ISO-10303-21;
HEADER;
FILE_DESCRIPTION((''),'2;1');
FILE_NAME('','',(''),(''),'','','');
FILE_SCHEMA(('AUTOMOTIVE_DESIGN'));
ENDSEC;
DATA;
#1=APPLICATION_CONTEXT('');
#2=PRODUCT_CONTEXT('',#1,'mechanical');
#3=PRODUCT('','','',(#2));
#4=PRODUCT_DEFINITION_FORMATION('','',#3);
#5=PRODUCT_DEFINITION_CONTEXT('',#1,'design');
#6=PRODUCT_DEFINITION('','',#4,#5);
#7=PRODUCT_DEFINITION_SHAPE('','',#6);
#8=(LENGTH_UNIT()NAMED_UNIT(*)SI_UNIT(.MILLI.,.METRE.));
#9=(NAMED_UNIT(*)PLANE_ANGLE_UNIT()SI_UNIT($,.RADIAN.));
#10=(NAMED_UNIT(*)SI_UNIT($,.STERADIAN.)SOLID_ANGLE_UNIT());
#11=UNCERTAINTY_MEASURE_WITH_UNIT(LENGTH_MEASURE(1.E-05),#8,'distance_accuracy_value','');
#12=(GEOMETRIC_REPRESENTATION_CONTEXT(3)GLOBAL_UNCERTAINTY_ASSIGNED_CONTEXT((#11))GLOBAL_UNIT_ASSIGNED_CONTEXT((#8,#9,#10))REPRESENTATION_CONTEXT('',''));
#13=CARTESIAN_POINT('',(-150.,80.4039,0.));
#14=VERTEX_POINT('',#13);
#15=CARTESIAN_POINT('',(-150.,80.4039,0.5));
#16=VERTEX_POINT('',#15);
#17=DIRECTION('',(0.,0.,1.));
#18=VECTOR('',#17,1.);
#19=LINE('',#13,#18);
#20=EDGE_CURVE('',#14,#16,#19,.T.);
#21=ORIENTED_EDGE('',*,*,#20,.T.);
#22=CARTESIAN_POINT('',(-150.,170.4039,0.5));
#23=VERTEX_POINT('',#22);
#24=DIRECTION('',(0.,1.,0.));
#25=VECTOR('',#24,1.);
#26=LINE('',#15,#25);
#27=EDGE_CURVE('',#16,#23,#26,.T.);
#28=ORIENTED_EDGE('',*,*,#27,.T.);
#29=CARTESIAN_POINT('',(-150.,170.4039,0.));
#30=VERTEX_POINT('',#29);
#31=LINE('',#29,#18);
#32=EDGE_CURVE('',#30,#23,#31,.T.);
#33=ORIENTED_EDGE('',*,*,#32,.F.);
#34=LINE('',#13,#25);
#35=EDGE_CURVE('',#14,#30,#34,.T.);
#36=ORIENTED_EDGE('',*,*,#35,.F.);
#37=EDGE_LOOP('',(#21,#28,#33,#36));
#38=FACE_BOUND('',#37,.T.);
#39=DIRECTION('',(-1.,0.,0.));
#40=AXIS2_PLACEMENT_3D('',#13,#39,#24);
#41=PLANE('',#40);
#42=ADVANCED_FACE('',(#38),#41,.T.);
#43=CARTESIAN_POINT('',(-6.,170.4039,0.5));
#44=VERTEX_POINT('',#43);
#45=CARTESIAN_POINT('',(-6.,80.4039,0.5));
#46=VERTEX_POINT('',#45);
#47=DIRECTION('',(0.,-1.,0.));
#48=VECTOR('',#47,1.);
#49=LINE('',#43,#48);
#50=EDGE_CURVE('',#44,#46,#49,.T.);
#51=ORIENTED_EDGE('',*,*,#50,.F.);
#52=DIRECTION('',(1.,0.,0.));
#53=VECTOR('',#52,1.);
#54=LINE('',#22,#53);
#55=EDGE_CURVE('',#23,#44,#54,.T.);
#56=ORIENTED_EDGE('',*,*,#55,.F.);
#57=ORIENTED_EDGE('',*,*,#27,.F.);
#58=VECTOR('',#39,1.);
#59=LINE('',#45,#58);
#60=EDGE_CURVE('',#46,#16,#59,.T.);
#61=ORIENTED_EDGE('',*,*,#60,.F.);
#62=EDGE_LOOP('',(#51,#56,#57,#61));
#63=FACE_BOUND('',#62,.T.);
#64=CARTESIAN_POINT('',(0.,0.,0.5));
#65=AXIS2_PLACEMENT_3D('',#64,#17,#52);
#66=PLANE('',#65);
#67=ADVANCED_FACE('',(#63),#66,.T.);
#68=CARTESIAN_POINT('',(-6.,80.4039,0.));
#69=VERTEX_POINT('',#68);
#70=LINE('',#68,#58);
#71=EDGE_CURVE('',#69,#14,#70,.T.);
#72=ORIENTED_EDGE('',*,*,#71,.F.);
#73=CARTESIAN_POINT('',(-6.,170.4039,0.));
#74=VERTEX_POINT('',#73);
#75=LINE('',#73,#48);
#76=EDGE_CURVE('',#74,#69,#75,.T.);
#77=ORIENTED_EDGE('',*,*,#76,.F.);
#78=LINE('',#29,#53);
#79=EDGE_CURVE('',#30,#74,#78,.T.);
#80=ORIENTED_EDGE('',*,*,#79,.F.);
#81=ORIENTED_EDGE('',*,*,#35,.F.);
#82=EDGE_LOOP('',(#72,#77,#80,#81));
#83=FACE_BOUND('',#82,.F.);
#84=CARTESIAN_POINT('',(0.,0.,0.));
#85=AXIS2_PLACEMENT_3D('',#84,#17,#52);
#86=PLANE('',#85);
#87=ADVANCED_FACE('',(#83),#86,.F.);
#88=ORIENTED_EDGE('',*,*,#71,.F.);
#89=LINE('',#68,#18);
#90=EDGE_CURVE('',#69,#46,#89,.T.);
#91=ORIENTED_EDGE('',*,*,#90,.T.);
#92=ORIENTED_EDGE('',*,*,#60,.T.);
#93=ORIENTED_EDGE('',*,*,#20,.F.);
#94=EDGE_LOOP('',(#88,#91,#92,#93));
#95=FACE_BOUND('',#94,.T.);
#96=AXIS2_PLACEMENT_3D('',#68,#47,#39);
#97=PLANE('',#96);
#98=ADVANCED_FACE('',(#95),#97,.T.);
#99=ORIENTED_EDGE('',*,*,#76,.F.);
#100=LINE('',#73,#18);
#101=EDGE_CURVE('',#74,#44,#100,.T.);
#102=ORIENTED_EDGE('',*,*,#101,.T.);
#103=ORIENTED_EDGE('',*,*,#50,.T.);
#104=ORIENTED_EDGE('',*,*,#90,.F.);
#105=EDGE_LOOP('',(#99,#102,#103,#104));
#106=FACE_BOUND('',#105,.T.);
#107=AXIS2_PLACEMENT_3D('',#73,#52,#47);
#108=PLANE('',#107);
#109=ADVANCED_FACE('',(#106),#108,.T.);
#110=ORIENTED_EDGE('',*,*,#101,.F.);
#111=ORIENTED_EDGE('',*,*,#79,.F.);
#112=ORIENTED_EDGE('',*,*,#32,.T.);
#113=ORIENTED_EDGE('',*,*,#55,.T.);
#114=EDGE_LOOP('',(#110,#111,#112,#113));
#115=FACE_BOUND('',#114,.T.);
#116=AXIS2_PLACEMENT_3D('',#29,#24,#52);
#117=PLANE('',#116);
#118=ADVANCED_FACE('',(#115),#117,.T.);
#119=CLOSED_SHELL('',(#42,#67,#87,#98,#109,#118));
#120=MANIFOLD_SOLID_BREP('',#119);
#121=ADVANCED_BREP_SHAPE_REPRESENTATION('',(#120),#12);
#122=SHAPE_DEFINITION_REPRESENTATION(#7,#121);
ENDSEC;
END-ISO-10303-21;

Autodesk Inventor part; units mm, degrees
ref_plane "YZ Plane" through (0, 0, 0) normal (1, 0, 0) x (0, 1, 0)
ref_plane "XZ Plane" through (0, 0, 0) normal (0, 1, 0) x (-1, 0, 0)
ref_plane "XY Plane" through (0, 0, 0) normal (0, 0, 1) x (1, 0, 0)
sketch "Esboço1" plane through (0, 0, 0) normal (0, 0, 1) x (1, 0, 0)
  line L0 (-6, 80.4039) -> (-150, 80.4039)
  line L1 (-150, 80.4039) -> (-150, 170.4039)
  line L2 (-150, 170.4039) -> (-6, 170.4039)
  line L3 (-6, 170.4039) -> (-6, 80.4039)
  point P0 (0, 0)
  dimension "d0" = 144
  dimension "d1" = 90
extrude "Placa1" add sketch "Esboço1" along normal blind 0.5
equation "\"Raio_vergadura\" = Espessura"
equation "\"Largura_alívio_de_vergadura\" = Espessura"
equation "\"Profundidade_alívio_de_vergadura\" = 0.5 * Espessura"
equation "\"Tamanho_alívio_de_dobra\" = 4 * Espessura"
equation "\"Remanescente_mínimo\" = 2 * Espessura"
equation "\"Raiodetransição\" = Raio_vergadura"
equation "\"Tamanho_de_raio_de_Jacobi\" = Raio_vergadura"
equation "\"TamanhoFolga\" = Espessura"
properties part number "ApoioBocalInferior_"
